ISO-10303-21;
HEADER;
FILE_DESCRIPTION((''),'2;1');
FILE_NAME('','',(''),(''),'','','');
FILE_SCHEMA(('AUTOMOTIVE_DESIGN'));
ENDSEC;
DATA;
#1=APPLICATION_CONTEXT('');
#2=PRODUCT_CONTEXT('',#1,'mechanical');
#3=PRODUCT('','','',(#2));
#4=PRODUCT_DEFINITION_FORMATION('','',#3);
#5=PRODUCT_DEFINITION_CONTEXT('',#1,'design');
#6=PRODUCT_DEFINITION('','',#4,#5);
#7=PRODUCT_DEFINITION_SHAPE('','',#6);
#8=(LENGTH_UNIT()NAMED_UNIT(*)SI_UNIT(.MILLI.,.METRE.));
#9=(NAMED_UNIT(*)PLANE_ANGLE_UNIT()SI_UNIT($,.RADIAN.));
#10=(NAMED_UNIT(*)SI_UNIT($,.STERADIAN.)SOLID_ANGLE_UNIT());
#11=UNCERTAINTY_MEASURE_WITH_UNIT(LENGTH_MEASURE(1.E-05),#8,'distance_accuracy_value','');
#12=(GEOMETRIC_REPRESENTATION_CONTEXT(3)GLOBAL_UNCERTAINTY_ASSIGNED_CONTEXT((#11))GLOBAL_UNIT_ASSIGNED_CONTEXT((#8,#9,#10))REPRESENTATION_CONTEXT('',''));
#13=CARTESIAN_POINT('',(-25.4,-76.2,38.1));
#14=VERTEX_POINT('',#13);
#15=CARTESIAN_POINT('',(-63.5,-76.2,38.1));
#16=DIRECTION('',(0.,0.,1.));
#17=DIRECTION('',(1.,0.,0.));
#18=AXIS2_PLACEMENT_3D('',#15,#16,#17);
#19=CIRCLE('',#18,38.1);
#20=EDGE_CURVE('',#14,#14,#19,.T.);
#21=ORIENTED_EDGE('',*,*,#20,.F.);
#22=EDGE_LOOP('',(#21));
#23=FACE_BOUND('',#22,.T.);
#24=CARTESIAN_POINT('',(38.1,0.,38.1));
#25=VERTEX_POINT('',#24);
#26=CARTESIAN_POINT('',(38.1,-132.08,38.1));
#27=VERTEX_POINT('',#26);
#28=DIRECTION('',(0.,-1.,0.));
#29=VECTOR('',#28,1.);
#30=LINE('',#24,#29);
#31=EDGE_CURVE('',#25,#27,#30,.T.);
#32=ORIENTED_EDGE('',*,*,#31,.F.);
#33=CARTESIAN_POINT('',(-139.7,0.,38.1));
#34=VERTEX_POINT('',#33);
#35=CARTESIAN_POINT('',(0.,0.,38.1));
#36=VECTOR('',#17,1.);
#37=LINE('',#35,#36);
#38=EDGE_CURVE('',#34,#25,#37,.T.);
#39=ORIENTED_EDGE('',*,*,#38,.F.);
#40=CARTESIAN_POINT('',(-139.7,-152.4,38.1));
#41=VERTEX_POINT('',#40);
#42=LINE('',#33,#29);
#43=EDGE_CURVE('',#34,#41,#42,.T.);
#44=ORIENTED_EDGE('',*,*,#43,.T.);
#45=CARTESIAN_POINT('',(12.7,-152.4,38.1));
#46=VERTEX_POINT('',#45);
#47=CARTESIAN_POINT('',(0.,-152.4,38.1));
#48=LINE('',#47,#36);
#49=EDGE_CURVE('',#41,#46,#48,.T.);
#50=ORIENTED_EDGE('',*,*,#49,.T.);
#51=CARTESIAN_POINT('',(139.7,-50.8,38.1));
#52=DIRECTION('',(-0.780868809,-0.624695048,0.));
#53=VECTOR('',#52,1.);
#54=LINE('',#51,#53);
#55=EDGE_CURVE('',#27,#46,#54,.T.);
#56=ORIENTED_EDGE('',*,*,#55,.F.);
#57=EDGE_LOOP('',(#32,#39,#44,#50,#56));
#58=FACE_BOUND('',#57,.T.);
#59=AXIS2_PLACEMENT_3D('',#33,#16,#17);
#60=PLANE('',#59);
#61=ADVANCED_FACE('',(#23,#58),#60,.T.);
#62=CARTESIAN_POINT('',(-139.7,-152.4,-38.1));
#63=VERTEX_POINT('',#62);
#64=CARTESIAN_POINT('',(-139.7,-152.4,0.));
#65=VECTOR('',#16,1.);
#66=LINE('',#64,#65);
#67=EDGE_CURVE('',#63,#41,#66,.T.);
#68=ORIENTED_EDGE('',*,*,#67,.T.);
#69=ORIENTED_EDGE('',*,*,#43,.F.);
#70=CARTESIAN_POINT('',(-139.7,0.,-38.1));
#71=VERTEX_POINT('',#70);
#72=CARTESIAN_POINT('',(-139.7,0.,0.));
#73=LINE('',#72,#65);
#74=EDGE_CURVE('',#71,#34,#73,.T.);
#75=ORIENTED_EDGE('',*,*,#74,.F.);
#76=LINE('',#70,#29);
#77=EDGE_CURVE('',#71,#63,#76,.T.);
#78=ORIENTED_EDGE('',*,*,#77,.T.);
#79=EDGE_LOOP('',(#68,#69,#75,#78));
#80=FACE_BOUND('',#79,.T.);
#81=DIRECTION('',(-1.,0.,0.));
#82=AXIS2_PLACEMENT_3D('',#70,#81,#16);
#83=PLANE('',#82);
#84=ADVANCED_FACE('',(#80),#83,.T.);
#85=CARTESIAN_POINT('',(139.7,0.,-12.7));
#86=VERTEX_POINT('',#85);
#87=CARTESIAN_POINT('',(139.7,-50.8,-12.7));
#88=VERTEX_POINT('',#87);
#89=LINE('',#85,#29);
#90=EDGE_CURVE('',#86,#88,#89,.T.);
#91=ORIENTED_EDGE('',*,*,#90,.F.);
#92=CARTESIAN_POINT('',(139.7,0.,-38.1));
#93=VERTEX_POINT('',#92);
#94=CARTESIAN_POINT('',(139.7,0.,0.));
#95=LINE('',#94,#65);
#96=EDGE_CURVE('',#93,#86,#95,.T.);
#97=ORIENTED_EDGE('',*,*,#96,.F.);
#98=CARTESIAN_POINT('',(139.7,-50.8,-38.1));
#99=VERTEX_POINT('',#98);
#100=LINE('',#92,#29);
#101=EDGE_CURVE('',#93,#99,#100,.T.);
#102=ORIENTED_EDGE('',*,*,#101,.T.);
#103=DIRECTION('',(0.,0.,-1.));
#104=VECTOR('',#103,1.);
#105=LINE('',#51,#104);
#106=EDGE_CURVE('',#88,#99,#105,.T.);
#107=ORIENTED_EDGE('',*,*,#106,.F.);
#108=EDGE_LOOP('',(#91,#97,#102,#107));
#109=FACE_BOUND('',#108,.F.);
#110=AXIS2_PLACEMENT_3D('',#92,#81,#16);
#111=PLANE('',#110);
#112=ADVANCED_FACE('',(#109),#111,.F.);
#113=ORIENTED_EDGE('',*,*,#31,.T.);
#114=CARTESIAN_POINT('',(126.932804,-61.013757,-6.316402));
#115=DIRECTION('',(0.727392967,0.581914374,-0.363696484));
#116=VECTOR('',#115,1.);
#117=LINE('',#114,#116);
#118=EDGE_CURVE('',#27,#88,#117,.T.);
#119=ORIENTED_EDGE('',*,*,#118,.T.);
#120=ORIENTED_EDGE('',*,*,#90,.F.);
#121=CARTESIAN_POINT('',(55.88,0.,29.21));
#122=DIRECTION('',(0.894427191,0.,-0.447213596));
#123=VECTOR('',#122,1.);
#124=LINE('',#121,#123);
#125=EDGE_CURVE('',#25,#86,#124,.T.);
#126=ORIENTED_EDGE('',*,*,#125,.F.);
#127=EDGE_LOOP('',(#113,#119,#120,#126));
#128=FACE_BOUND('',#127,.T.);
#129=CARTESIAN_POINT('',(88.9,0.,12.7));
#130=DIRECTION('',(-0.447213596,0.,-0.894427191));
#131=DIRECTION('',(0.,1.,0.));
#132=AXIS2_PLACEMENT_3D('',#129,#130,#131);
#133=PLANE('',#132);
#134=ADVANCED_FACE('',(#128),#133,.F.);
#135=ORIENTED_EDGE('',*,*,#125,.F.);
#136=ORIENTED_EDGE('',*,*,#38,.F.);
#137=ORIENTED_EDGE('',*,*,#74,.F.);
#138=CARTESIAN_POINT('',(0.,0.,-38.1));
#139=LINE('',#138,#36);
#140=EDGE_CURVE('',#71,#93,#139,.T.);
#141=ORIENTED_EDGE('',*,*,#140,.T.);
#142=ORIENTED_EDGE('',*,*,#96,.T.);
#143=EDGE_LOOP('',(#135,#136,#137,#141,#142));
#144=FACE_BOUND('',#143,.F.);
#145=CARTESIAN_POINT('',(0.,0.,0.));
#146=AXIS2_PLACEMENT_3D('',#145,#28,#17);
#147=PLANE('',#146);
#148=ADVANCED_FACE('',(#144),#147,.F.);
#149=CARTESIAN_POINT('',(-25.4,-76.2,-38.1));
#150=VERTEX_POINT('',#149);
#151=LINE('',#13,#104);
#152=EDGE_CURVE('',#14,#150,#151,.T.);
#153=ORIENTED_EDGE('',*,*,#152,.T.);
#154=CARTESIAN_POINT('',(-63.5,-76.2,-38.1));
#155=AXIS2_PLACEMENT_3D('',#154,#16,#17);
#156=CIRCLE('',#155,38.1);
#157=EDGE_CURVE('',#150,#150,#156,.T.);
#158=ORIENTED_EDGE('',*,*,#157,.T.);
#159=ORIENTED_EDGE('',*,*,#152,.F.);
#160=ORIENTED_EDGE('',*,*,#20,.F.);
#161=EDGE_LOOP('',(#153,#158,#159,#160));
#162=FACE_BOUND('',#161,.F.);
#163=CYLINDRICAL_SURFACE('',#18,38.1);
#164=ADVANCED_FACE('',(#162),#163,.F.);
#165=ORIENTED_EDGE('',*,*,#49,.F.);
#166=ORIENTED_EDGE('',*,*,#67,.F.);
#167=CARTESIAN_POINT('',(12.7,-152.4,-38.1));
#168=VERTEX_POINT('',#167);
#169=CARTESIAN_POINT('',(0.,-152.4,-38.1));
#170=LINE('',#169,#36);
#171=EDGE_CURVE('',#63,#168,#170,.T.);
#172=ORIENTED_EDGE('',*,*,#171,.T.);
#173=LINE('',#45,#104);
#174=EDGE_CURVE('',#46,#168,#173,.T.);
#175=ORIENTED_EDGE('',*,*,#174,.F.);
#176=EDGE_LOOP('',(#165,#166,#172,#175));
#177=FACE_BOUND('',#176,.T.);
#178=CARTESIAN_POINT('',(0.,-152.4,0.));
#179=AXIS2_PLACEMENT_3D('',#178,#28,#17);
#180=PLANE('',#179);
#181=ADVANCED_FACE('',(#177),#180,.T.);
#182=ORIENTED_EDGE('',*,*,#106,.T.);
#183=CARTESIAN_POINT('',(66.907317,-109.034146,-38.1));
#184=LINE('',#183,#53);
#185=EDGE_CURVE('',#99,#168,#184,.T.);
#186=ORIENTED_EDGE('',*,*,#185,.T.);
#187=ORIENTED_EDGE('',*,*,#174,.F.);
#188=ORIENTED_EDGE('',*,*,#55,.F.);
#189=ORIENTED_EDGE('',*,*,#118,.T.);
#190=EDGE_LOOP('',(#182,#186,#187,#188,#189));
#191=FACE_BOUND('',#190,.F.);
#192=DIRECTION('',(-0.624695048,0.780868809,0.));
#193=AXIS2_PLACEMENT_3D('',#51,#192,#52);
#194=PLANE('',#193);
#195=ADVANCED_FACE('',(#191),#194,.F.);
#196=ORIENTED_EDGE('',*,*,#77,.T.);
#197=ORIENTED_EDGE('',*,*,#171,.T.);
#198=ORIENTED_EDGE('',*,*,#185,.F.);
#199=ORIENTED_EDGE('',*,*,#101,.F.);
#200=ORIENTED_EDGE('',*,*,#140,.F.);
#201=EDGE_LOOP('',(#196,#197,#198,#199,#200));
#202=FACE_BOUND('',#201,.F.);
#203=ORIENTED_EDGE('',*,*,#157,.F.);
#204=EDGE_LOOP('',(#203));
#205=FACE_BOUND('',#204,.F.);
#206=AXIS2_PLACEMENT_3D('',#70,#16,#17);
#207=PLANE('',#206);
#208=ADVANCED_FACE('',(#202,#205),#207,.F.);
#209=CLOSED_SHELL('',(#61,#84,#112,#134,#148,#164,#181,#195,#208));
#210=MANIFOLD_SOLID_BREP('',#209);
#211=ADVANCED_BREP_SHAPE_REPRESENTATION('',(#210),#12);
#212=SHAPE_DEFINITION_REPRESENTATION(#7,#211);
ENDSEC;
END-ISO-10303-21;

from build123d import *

# Parameters (mm, degrees)
F0_W     = 279.4
F0_H     = 76.2
F1_DEPTH = 152.4
F3_DEPTH = 125.1016873866
F4_SIZE2 = 50.8
F4_SIZE  = 101.6
F5_R     = 38.1
F6_DEPTH = 200.5284074694


with BuildPart() as f1:
    # F0 (on Front) → F1 (new body)
    with BuildSketch(Plane.XZ):
        Rectangle(F0_W, F0_H)
    extrude(amount=F1_DEPTH)

    # F2 (on face) → F3 (cut)
    with BuildSketch(Plane.XY.offset(38.1)):
        Polygon((139.7, -152.4), (139.7, -50.8), (12.7, -152.4), align=None)
    extrude(amount=-F3_DEPTH, mode=Mode.SUBTRACT)

    # F4
    f4_edges = [f1.edges().sort_by_distance(p)[0] for p in [
        (139.7, -25.4, 38.1),
    ]]
    f4_side = f1.faces().sort_by_distance((-17.386905, -68.640476, 38.1))[0]
    chamfer(f4_edges, length=F4_SIZE, length2=F4_SIZE2, reference=f4_side)

    # F5 (on face) → F6 (cut)
    with BuildSketch(Plane.XY.offset(38.1)):
        with Locations((-63.5, -76.2)):
            Circle(F5_R)
    extrude(amount=-F6_DEPTH, mode=Mode.SUBTRACT)


solid = f1.part
